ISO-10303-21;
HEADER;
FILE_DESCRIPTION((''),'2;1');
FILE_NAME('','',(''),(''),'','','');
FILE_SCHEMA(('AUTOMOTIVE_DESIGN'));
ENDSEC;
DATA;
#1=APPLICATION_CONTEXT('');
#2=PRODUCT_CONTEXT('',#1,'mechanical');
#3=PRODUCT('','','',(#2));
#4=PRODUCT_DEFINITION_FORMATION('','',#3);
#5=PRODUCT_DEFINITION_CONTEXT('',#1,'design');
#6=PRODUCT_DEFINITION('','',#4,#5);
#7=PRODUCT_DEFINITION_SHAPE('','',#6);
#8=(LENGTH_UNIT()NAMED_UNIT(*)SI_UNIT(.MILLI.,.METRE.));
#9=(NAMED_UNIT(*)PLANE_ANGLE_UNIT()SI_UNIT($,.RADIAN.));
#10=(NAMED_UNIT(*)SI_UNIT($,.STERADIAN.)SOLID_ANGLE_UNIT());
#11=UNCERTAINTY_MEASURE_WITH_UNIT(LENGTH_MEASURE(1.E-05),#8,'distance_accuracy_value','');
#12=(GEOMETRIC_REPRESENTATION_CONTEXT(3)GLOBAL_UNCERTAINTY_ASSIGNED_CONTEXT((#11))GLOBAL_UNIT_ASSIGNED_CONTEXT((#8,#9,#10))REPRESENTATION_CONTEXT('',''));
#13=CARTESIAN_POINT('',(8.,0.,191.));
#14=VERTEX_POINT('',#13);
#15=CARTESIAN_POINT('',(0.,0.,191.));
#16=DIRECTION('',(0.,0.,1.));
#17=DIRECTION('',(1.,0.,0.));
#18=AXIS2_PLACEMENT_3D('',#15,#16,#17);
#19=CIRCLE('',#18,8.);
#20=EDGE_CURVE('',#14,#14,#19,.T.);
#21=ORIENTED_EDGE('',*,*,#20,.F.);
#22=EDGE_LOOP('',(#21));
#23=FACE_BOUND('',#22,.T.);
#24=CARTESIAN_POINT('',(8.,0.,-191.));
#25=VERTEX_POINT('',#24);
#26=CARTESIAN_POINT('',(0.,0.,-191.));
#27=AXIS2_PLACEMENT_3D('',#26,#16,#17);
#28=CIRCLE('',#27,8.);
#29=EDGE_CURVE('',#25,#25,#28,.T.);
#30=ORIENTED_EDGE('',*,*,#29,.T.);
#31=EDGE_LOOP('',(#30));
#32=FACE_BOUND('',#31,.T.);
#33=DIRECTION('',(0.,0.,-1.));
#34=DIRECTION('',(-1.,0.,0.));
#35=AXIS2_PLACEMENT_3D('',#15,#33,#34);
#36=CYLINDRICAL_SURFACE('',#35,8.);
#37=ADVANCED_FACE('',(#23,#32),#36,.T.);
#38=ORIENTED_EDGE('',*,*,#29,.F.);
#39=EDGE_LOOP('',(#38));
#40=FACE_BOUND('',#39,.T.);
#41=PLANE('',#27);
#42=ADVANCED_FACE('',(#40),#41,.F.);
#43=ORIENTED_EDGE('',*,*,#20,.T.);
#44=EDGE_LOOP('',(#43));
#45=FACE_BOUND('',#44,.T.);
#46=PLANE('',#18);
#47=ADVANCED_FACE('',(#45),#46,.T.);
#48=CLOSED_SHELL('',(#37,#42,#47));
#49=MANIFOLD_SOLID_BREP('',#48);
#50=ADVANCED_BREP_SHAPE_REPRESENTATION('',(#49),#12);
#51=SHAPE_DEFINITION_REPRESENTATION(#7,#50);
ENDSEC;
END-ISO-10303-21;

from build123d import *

# Parameters (mm, degrees)
SKETCH1_R           = 8
BOSS_EXTRUDE1_DEPTH = 191


with BuildPart() as part:
    # Sketch1 → Boss-Extrude1 (new body, symmetric)
    with BuildSketch(Plane.XY):
        Circle(SKETCH1_R)
    extrude(amount=BOSS_EXTRUDE1_DEPTH, both=True)


solid = part.part
